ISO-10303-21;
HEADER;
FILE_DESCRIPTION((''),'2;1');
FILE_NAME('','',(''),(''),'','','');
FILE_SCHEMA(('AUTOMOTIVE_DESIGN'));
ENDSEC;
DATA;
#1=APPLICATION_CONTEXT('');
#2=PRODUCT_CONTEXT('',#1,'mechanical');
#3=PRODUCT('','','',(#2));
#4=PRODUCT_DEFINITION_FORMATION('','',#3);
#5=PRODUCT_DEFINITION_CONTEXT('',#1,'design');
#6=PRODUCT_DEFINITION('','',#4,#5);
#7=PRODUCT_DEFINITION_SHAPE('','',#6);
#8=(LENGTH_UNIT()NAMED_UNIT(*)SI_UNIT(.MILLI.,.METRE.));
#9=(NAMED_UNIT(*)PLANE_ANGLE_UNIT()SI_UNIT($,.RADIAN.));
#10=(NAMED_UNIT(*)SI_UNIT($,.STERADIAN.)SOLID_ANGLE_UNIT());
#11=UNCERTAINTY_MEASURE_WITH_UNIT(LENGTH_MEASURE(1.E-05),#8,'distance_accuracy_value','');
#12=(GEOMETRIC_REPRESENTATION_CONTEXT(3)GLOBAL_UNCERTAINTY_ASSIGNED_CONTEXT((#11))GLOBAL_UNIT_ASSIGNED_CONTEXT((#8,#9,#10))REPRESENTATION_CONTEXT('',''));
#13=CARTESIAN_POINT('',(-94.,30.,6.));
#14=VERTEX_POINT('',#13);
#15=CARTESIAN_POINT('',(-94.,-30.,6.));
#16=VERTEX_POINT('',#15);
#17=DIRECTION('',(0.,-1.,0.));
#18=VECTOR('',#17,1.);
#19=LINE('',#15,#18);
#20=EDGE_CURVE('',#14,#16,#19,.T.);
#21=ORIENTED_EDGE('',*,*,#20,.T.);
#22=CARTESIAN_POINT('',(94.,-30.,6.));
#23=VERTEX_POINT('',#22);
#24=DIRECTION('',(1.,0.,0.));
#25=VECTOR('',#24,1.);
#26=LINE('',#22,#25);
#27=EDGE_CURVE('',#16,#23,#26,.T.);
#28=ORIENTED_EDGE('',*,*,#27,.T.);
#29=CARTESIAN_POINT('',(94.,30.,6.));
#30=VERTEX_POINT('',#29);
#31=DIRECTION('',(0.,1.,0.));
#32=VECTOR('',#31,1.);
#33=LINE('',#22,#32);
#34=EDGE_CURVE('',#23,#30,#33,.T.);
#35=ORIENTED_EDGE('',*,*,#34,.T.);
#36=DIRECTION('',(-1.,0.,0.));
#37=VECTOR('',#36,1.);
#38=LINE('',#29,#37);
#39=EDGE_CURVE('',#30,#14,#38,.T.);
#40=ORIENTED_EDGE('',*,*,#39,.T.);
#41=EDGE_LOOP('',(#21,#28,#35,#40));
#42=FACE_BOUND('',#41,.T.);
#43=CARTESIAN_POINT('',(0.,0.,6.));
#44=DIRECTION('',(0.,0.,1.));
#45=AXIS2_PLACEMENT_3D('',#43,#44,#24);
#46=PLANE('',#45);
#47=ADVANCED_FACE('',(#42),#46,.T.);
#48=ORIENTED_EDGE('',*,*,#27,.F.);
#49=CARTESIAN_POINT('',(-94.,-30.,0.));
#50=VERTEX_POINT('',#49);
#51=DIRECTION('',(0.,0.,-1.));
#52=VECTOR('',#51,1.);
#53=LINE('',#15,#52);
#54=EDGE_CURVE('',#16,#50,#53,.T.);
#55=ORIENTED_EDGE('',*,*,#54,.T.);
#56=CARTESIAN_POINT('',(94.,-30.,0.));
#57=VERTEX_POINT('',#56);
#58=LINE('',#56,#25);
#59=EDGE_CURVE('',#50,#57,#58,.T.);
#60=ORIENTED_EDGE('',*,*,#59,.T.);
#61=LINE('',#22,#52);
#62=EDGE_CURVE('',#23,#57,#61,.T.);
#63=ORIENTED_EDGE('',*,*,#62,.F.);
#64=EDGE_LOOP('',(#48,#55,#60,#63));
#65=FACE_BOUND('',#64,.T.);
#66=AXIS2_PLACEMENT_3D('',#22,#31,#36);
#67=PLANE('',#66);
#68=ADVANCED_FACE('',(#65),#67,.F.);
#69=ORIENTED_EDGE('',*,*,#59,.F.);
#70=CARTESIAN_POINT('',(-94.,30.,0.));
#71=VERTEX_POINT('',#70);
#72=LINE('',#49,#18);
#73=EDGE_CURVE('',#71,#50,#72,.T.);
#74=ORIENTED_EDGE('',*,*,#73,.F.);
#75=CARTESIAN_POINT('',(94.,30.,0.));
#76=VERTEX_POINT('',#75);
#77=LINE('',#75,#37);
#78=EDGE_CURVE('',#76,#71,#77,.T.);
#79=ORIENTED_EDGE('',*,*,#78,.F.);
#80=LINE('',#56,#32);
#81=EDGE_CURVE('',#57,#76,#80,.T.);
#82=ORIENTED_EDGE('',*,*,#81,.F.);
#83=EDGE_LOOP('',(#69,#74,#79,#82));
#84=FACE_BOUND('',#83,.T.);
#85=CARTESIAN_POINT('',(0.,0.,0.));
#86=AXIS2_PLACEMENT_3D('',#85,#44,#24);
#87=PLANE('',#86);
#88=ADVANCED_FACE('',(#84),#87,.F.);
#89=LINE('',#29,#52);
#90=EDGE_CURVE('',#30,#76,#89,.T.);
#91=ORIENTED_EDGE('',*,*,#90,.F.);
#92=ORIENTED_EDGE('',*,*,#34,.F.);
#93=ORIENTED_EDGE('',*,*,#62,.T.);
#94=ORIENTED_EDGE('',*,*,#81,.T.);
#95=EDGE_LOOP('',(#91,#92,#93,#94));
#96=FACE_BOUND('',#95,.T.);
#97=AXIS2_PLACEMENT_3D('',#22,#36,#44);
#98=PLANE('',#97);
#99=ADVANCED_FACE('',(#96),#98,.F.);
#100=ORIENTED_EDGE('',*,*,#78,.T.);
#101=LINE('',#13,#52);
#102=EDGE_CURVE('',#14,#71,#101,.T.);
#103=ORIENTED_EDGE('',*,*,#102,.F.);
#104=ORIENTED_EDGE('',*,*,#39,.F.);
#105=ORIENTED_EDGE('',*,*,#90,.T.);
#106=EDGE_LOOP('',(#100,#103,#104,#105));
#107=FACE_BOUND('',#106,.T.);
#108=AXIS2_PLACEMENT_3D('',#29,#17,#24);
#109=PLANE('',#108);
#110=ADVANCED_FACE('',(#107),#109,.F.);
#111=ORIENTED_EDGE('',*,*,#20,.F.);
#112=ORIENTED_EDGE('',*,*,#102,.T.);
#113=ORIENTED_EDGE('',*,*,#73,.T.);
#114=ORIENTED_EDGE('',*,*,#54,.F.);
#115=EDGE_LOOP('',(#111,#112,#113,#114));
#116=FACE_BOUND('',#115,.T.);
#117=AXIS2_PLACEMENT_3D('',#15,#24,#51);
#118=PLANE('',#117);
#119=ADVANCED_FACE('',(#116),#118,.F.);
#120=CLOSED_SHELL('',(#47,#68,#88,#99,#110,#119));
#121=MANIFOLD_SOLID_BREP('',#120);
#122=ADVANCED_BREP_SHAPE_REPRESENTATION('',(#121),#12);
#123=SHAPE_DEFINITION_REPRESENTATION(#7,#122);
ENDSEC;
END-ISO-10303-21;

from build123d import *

# Parameters (mm, degrees)
ESQUISSE1_W        = 188
ESQUISSE1_H        = 60
BOSS_EXTRU_1_DEPTH = 6


with BuildPart() as part:
    # Esquisse1 → Boss.-Extru.1 (new body)
    with BuildSketch(Plane.XY):
        Rectangle(ESQUISSE1_W, ESQUISSE1_H)
    extrude(amount=BOSS_EXTRU_1_DEPTH)


solid = part.part
